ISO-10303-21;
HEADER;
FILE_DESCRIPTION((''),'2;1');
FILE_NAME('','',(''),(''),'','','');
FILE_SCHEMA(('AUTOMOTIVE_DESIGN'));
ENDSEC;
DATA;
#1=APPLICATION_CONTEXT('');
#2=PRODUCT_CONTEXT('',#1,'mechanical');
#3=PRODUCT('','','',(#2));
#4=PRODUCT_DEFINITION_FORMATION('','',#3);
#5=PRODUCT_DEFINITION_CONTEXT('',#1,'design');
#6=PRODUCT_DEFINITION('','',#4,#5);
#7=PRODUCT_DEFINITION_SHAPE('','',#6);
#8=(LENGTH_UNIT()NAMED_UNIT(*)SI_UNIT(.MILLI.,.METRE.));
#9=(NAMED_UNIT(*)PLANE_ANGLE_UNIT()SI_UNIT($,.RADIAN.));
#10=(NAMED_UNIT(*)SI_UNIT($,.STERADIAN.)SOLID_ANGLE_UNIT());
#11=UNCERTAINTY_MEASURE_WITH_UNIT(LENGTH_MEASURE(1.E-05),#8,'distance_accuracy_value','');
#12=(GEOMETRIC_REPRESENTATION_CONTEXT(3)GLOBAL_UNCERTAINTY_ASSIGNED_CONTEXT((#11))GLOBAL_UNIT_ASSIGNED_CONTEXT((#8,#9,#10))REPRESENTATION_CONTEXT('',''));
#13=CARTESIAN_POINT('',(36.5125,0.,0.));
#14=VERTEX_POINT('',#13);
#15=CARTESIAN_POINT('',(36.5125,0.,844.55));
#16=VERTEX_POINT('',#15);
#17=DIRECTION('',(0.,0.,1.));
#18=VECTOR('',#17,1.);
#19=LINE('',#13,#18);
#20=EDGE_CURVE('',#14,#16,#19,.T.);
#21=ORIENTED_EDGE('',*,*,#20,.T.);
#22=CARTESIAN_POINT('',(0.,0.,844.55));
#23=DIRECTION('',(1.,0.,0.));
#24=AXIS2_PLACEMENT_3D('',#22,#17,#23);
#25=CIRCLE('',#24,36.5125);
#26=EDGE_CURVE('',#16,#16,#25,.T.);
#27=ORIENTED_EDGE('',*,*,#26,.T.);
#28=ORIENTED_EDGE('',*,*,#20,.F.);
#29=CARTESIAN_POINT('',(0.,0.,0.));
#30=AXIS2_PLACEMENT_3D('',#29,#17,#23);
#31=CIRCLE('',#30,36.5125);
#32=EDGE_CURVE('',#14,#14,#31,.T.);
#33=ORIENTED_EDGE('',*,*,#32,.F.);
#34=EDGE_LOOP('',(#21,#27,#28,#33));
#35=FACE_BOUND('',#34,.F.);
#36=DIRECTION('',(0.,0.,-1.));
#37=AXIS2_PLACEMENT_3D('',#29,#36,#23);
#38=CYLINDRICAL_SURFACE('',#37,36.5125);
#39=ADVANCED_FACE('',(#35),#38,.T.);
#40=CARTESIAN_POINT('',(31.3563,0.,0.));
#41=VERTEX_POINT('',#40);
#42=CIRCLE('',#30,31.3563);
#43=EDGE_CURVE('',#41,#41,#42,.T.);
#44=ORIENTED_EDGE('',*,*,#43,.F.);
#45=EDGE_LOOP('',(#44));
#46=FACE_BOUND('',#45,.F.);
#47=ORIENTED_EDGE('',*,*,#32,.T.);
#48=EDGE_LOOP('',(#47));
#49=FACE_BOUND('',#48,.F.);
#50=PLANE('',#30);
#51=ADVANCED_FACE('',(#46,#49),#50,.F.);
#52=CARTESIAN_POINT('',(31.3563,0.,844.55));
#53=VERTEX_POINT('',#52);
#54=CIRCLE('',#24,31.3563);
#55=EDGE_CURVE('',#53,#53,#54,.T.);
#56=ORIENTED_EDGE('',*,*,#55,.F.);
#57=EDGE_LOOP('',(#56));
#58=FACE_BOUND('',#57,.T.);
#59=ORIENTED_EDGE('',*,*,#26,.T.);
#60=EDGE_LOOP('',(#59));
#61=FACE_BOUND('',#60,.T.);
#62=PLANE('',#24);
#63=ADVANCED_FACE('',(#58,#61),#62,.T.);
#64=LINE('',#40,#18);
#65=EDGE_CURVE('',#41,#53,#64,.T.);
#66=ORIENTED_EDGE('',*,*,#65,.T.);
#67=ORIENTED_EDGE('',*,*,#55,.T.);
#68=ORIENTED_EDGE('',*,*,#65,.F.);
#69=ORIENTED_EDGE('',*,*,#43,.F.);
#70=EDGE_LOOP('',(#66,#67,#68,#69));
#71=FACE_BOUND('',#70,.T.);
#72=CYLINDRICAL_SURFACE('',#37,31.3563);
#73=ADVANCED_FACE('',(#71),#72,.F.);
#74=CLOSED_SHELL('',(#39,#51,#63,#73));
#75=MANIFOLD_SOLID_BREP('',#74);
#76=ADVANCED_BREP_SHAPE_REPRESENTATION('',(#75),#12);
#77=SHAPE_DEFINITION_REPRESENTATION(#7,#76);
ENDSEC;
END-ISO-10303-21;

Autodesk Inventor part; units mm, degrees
ref_plane "YZ Plane" through (0, 0, 0) normal (1, 0, 0) x (0, 1, 0)
ref_plane "XZ Plane" through (0, 0, 0) normal (0, 1, 0) x (-1, 0, 0)
ref_plane "XY Plane" through (0, 0, 0) normal (0, 0, 1) x (1, 0, 0)
sketch "Sketch1" plane through (0, 0, 0) normal (0, 0, 1) x (1, 0, 0)
  circle A0 centre (0, 0) radius 36.5125
  circle A1 centre (0, 0) radius 31.3563
  dimension "d0" = 73.025
  dimension "d1" = 62.7126
extrude "Extrusion1" add sketch "Sketch1" along normal blind 844.55
properties part number "A1-18002-100-24 2.25in x 3.25ft bar tube" material "PVC-Piping"
